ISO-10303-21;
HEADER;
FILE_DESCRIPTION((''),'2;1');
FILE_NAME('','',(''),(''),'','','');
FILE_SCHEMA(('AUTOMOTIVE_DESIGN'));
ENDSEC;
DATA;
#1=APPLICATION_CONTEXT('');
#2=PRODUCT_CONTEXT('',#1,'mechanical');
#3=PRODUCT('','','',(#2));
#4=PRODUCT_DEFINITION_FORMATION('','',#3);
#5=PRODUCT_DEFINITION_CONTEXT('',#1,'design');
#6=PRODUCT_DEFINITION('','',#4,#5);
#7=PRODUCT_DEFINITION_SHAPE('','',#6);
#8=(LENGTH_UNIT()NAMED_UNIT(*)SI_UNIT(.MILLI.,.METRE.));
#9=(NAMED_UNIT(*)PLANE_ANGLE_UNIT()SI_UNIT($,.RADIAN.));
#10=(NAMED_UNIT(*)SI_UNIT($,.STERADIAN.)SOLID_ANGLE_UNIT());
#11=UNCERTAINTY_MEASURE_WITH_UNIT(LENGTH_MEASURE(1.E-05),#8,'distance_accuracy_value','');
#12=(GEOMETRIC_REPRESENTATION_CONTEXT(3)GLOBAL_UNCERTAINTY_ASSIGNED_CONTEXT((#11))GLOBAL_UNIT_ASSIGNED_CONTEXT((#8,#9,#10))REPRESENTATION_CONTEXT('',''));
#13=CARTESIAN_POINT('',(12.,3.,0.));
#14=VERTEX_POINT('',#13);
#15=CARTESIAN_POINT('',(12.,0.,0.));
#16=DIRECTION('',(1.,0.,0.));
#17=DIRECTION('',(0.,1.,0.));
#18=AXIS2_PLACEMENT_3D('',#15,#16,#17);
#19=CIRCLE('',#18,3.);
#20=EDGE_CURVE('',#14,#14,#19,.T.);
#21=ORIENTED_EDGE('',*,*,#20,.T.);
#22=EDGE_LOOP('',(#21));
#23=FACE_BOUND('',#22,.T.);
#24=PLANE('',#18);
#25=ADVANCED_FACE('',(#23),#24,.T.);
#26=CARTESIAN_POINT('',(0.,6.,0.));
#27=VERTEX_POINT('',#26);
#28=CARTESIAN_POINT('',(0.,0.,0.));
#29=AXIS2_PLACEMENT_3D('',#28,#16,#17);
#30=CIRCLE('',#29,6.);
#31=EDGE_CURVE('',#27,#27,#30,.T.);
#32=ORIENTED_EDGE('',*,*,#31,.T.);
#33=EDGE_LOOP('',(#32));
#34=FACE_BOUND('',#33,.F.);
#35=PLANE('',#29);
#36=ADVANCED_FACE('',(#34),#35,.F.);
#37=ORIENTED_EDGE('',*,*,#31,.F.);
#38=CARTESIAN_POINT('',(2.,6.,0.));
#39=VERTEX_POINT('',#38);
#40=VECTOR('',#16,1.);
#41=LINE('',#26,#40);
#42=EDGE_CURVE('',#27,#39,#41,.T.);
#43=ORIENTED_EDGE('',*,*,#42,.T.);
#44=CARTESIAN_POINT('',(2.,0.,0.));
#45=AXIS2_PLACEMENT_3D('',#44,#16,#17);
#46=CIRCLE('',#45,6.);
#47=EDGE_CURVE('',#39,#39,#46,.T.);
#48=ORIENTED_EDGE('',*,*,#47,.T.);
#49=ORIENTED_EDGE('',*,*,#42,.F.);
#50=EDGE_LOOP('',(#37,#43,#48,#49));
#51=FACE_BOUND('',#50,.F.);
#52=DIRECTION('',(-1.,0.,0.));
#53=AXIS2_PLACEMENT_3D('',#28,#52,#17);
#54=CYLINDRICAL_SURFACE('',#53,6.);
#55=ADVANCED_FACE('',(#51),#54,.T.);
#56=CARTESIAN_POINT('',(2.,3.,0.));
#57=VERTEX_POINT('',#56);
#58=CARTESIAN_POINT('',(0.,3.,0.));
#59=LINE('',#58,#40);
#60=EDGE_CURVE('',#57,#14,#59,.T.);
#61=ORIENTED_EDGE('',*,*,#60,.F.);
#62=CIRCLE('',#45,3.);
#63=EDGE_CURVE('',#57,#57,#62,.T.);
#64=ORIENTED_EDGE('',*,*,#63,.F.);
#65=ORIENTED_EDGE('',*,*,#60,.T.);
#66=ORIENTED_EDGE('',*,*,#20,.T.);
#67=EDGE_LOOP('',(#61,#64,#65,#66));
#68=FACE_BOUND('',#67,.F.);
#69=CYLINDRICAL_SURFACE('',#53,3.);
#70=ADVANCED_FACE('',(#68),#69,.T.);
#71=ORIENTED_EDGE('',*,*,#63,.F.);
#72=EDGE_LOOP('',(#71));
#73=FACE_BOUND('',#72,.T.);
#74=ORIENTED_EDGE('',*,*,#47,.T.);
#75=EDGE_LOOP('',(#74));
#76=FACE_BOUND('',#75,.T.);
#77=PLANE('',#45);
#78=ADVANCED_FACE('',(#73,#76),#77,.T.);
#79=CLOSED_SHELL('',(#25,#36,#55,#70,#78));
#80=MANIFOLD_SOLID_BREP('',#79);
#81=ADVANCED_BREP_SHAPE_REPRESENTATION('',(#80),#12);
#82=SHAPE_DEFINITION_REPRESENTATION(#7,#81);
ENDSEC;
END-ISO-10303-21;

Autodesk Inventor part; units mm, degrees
ref_plane "YZ Plane" through (0, 0, 0) normal (1, 0, 0) x (0, 1, 0)
ref_plane "XZ Plane" through (0, 0, 0) normal (0, 1, 0) x (-1, 0, 0)
ref_plane "XY Plane" through (0, 0, 0) normal (0, 0, 1) x (1, 0, 0)
sketch "Sketch1" plane through (0, 0, 0) normal (1, 0, 0) x (0, 1, 0)
  circle A0 centre (0, 0) radius 6
  circle A1 centre (0, 0) radius 3
  dimension "d0" = 12
  dimension "d1" = 6
extrude "Extrusion1" add sketch "Sketch1" along normal blind 12 contours A1
extrude "Extrusion2" add sketch "Sketch1" along normal blind 2
properties part number "pin_CPY" material "Stainless Steel"
